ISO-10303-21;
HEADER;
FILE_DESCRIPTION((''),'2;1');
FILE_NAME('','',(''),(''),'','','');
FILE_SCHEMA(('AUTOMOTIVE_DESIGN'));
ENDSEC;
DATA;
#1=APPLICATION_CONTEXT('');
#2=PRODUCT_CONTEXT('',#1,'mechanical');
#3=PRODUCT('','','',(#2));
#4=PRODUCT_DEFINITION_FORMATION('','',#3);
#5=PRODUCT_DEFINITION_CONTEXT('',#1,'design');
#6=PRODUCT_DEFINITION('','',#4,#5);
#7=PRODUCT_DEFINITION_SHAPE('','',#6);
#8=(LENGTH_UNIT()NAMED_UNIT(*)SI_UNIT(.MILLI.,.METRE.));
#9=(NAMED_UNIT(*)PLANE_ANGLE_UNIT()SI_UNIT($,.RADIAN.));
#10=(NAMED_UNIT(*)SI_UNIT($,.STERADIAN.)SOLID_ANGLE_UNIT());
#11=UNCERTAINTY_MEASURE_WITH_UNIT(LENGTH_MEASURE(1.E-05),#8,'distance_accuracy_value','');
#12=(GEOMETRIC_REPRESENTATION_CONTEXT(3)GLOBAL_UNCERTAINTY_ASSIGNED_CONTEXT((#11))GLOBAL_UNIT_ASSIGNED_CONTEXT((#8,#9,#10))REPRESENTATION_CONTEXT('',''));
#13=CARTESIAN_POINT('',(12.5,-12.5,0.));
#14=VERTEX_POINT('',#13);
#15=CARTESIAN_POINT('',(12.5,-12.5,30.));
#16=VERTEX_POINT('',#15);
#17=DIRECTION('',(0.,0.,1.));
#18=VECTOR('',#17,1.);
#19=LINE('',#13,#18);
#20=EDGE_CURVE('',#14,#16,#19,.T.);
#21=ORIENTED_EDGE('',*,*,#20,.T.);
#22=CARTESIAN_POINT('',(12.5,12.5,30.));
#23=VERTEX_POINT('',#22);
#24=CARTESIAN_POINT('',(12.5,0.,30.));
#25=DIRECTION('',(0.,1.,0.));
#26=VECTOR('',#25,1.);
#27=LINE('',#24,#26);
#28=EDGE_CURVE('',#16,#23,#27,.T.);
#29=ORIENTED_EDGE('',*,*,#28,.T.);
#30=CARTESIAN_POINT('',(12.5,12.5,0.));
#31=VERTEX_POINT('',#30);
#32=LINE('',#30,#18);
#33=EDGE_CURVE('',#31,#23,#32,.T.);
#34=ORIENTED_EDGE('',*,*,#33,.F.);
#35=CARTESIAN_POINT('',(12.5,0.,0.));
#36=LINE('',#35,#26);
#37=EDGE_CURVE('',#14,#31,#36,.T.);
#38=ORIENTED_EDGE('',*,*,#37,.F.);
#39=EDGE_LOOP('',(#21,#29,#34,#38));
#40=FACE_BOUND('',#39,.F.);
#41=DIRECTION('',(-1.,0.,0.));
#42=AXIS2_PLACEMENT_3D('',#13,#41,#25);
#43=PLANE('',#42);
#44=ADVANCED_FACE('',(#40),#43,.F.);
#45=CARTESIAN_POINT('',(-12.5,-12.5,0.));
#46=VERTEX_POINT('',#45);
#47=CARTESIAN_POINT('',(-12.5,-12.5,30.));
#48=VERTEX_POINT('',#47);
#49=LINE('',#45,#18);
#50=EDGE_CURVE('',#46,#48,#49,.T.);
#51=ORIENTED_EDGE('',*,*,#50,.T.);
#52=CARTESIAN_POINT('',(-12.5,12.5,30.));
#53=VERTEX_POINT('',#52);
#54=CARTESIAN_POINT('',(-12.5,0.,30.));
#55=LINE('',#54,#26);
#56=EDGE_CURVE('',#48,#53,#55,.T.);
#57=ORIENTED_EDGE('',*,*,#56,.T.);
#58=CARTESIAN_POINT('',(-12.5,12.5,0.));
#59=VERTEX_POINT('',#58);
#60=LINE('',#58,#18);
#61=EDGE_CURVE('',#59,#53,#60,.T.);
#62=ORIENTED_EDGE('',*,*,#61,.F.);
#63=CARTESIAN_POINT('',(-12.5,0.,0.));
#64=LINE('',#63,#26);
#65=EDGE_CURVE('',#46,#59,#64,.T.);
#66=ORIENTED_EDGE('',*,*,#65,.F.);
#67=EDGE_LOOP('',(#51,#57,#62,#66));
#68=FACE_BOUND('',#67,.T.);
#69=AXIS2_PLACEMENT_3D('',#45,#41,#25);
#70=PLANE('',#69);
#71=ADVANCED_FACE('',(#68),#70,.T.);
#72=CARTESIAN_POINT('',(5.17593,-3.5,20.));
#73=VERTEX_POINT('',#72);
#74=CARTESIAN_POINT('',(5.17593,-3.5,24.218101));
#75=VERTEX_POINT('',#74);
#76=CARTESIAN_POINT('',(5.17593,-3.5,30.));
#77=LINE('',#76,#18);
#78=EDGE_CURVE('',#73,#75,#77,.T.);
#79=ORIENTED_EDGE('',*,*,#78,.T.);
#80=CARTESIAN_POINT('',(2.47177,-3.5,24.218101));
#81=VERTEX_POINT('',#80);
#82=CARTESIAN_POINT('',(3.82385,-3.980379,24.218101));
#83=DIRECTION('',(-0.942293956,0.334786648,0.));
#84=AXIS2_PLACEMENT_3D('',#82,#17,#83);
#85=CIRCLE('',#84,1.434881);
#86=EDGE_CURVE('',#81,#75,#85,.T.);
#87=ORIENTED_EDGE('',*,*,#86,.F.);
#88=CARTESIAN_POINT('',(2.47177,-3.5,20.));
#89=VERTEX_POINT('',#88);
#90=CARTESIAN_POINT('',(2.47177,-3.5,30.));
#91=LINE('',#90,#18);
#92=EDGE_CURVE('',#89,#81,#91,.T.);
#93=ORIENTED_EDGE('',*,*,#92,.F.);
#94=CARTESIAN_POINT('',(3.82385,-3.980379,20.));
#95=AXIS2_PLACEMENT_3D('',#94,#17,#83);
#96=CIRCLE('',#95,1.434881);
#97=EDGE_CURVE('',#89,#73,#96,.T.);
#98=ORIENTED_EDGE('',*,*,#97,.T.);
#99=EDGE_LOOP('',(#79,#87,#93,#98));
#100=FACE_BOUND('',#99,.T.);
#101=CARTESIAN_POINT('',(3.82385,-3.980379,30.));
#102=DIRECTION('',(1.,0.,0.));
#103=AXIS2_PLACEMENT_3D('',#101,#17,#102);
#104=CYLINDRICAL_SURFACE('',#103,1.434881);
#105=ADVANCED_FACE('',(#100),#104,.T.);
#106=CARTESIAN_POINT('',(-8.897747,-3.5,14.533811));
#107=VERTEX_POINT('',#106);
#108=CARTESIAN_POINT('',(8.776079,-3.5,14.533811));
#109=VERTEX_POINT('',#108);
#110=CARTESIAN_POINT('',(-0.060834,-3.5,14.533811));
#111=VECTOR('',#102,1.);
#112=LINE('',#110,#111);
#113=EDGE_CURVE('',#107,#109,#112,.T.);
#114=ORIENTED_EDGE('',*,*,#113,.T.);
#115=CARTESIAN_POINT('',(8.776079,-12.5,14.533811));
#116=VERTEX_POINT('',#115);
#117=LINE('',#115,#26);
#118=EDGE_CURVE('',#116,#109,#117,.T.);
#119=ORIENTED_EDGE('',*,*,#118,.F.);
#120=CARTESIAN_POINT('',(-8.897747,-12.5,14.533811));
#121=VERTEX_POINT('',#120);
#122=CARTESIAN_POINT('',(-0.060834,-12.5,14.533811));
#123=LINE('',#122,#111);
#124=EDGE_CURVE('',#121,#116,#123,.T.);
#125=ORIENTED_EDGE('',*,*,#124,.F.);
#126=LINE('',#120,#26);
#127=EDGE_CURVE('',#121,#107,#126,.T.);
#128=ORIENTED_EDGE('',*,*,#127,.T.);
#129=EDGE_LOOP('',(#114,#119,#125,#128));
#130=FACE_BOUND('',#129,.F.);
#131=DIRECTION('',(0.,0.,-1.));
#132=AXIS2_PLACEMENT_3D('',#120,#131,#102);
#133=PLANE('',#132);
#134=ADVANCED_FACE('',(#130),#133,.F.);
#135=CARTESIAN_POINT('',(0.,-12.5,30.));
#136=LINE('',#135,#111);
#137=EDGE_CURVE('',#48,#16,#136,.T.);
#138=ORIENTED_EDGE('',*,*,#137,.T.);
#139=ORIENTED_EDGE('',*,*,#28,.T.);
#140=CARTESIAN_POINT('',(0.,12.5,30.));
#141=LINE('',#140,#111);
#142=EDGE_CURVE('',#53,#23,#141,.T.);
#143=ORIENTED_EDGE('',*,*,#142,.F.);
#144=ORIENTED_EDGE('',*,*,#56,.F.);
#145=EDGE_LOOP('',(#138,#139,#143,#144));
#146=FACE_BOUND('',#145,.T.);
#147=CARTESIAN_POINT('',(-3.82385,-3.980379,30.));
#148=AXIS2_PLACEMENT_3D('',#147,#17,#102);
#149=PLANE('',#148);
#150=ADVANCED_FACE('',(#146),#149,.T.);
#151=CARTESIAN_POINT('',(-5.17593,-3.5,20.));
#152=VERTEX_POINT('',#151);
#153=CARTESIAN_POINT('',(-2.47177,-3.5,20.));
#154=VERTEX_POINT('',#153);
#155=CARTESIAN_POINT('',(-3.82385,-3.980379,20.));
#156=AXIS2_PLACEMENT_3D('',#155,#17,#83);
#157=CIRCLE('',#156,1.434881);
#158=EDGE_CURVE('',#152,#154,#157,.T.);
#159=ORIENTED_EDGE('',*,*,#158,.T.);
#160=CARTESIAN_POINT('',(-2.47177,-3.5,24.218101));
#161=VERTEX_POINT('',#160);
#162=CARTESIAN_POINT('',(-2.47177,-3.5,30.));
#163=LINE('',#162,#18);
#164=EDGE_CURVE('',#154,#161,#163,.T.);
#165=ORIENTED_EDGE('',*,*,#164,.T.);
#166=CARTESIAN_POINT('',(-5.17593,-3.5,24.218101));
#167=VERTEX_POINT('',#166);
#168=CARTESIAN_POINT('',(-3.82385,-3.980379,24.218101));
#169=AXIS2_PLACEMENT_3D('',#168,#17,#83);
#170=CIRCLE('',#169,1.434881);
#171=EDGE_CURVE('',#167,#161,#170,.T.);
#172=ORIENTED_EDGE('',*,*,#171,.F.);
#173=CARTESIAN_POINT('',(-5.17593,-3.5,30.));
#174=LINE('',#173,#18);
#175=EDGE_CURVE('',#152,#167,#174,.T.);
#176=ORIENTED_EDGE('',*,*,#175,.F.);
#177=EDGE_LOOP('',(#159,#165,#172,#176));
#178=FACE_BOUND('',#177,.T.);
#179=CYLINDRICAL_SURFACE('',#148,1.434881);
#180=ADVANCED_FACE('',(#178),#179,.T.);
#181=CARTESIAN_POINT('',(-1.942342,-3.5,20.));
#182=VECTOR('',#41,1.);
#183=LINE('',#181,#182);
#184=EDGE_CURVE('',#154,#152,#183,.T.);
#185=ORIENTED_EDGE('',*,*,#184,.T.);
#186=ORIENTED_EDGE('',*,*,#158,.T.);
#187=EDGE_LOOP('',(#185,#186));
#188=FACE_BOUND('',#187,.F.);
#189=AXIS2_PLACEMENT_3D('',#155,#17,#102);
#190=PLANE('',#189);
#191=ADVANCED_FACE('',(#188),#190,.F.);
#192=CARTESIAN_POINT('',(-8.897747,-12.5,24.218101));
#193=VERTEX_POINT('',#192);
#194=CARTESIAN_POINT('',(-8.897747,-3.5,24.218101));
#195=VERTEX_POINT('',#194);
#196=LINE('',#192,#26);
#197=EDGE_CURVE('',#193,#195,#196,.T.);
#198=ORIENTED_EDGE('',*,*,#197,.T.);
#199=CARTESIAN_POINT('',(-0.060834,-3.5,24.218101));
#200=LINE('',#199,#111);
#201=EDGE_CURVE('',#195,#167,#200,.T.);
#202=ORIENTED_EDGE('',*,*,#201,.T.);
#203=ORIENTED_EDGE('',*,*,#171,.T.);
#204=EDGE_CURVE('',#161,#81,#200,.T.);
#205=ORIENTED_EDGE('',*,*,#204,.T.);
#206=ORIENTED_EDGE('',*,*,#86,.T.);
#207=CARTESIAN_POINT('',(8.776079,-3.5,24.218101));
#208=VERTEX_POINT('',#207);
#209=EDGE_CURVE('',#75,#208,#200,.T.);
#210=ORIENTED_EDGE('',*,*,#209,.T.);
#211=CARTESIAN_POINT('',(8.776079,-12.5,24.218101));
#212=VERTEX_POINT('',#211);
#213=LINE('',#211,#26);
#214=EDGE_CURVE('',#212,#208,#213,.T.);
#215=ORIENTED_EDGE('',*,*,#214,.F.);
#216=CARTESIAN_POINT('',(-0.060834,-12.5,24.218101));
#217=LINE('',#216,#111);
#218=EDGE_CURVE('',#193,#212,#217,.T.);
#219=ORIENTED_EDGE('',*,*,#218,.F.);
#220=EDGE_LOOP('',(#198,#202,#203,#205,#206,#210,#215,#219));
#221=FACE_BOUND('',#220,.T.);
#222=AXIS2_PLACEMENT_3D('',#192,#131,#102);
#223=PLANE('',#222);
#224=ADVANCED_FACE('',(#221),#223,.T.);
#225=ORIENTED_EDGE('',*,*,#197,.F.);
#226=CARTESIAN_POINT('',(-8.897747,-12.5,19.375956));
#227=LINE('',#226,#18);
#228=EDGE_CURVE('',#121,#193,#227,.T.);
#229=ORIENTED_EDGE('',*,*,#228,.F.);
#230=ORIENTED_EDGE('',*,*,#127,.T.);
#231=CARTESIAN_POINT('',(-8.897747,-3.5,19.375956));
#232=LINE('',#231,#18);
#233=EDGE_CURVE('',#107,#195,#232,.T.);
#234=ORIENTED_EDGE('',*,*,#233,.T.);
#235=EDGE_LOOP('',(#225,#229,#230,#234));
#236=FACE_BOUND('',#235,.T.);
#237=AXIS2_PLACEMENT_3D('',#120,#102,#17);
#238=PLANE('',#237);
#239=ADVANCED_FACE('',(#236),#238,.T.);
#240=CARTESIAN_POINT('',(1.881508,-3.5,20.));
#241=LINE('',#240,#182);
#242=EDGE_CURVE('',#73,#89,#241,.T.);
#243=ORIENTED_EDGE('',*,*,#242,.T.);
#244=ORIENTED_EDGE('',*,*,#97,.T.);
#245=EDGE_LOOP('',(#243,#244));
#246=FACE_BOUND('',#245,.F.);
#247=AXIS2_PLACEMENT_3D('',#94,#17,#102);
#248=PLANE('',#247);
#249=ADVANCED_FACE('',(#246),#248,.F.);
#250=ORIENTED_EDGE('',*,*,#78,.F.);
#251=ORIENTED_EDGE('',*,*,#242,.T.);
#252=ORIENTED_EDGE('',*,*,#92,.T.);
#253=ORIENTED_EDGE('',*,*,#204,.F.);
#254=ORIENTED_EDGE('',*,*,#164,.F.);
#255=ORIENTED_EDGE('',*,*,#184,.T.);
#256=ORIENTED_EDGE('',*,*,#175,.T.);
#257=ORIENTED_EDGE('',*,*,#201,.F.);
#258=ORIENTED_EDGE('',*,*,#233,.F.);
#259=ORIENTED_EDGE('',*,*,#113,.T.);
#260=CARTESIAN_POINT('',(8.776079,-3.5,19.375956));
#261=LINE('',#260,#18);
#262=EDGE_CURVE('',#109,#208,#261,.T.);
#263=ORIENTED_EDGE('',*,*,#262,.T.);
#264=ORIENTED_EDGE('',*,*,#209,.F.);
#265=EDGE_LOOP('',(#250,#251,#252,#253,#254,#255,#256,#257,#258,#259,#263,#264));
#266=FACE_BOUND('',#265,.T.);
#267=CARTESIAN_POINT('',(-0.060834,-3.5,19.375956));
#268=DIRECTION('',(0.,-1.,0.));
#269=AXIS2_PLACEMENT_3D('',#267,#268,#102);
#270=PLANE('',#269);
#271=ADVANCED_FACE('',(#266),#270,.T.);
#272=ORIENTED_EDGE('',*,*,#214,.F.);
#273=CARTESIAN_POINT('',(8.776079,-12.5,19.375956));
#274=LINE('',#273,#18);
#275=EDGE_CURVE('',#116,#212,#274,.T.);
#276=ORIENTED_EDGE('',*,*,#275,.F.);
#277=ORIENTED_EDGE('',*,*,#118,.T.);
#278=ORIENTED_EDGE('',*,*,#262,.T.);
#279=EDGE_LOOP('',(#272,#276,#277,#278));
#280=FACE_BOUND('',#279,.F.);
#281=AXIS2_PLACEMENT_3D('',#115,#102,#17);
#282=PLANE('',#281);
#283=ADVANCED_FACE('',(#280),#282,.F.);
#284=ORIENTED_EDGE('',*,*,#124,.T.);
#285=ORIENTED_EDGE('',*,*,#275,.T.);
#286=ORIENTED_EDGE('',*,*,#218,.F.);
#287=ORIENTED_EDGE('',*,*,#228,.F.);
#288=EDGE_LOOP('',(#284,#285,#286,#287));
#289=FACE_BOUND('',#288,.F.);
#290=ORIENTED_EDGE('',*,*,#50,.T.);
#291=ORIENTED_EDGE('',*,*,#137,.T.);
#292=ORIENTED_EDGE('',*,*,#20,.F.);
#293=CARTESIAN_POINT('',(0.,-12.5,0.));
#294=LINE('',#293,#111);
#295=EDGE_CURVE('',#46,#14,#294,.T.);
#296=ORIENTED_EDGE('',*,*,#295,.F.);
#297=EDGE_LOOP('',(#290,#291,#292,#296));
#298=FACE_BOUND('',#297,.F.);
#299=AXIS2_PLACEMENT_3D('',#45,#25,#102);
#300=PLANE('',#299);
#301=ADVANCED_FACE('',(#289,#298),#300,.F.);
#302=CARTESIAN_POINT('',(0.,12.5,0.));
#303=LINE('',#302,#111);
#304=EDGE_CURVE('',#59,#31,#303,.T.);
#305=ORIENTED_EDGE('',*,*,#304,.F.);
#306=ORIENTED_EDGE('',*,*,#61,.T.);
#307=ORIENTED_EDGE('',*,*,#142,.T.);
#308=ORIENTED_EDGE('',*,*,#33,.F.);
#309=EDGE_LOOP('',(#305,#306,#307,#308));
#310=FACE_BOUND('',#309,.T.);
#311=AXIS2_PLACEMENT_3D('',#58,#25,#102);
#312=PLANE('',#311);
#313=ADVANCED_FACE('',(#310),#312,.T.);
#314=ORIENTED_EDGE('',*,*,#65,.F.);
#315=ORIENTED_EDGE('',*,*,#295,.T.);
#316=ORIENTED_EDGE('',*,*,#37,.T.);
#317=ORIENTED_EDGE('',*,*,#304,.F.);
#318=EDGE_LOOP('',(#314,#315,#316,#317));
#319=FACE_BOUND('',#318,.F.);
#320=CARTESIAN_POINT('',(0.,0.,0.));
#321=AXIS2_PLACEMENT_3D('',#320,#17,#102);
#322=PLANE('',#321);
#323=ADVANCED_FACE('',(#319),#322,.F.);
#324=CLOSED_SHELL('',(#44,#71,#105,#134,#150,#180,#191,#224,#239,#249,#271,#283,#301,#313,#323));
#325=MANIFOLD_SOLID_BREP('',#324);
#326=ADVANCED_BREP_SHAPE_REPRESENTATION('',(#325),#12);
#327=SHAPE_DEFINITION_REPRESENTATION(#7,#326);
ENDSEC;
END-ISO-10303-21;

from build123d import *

# Parameters (mm, degrees)
F0_W     = 25
F0_H     = 25
F2_DEPTH = 30
F3_W     = 17.673826
F3_H     = 9.68429
F4_DEPTH = 9
F5_R     = 1.434881
F6_DEPTH = 10


with BuildPart() as f2:
    # F0 (on Top) → F2 (new body)
    with BuildSketch(Plane.XY):
        Rectangle(F0_W, F0_H)
    extrude(amount=F2_DEPTH)

    # F3 (on face) → F4 (cut)
    with BuildSketch(Plane.XZ.offset(12.5)):
        with Locations((-0.060834, 19.375956)):
            Rectangle(F3_W, F3_H)
    extrude(amount=-F4_DEPTH, mode=Mode.SUBTRACT)

    # F5 (on offset) → F6 (join)
    with BuildSketch(Plane.XY.offset(30)):
        with Locations((-3.82385, -3.980379)):
            Circle(F5_R)
        with Locations((3.82385, -3.980379)):
            Circle(F5_R)
    extrude(amount=-F6_DEPTH)


solid = f2.part
